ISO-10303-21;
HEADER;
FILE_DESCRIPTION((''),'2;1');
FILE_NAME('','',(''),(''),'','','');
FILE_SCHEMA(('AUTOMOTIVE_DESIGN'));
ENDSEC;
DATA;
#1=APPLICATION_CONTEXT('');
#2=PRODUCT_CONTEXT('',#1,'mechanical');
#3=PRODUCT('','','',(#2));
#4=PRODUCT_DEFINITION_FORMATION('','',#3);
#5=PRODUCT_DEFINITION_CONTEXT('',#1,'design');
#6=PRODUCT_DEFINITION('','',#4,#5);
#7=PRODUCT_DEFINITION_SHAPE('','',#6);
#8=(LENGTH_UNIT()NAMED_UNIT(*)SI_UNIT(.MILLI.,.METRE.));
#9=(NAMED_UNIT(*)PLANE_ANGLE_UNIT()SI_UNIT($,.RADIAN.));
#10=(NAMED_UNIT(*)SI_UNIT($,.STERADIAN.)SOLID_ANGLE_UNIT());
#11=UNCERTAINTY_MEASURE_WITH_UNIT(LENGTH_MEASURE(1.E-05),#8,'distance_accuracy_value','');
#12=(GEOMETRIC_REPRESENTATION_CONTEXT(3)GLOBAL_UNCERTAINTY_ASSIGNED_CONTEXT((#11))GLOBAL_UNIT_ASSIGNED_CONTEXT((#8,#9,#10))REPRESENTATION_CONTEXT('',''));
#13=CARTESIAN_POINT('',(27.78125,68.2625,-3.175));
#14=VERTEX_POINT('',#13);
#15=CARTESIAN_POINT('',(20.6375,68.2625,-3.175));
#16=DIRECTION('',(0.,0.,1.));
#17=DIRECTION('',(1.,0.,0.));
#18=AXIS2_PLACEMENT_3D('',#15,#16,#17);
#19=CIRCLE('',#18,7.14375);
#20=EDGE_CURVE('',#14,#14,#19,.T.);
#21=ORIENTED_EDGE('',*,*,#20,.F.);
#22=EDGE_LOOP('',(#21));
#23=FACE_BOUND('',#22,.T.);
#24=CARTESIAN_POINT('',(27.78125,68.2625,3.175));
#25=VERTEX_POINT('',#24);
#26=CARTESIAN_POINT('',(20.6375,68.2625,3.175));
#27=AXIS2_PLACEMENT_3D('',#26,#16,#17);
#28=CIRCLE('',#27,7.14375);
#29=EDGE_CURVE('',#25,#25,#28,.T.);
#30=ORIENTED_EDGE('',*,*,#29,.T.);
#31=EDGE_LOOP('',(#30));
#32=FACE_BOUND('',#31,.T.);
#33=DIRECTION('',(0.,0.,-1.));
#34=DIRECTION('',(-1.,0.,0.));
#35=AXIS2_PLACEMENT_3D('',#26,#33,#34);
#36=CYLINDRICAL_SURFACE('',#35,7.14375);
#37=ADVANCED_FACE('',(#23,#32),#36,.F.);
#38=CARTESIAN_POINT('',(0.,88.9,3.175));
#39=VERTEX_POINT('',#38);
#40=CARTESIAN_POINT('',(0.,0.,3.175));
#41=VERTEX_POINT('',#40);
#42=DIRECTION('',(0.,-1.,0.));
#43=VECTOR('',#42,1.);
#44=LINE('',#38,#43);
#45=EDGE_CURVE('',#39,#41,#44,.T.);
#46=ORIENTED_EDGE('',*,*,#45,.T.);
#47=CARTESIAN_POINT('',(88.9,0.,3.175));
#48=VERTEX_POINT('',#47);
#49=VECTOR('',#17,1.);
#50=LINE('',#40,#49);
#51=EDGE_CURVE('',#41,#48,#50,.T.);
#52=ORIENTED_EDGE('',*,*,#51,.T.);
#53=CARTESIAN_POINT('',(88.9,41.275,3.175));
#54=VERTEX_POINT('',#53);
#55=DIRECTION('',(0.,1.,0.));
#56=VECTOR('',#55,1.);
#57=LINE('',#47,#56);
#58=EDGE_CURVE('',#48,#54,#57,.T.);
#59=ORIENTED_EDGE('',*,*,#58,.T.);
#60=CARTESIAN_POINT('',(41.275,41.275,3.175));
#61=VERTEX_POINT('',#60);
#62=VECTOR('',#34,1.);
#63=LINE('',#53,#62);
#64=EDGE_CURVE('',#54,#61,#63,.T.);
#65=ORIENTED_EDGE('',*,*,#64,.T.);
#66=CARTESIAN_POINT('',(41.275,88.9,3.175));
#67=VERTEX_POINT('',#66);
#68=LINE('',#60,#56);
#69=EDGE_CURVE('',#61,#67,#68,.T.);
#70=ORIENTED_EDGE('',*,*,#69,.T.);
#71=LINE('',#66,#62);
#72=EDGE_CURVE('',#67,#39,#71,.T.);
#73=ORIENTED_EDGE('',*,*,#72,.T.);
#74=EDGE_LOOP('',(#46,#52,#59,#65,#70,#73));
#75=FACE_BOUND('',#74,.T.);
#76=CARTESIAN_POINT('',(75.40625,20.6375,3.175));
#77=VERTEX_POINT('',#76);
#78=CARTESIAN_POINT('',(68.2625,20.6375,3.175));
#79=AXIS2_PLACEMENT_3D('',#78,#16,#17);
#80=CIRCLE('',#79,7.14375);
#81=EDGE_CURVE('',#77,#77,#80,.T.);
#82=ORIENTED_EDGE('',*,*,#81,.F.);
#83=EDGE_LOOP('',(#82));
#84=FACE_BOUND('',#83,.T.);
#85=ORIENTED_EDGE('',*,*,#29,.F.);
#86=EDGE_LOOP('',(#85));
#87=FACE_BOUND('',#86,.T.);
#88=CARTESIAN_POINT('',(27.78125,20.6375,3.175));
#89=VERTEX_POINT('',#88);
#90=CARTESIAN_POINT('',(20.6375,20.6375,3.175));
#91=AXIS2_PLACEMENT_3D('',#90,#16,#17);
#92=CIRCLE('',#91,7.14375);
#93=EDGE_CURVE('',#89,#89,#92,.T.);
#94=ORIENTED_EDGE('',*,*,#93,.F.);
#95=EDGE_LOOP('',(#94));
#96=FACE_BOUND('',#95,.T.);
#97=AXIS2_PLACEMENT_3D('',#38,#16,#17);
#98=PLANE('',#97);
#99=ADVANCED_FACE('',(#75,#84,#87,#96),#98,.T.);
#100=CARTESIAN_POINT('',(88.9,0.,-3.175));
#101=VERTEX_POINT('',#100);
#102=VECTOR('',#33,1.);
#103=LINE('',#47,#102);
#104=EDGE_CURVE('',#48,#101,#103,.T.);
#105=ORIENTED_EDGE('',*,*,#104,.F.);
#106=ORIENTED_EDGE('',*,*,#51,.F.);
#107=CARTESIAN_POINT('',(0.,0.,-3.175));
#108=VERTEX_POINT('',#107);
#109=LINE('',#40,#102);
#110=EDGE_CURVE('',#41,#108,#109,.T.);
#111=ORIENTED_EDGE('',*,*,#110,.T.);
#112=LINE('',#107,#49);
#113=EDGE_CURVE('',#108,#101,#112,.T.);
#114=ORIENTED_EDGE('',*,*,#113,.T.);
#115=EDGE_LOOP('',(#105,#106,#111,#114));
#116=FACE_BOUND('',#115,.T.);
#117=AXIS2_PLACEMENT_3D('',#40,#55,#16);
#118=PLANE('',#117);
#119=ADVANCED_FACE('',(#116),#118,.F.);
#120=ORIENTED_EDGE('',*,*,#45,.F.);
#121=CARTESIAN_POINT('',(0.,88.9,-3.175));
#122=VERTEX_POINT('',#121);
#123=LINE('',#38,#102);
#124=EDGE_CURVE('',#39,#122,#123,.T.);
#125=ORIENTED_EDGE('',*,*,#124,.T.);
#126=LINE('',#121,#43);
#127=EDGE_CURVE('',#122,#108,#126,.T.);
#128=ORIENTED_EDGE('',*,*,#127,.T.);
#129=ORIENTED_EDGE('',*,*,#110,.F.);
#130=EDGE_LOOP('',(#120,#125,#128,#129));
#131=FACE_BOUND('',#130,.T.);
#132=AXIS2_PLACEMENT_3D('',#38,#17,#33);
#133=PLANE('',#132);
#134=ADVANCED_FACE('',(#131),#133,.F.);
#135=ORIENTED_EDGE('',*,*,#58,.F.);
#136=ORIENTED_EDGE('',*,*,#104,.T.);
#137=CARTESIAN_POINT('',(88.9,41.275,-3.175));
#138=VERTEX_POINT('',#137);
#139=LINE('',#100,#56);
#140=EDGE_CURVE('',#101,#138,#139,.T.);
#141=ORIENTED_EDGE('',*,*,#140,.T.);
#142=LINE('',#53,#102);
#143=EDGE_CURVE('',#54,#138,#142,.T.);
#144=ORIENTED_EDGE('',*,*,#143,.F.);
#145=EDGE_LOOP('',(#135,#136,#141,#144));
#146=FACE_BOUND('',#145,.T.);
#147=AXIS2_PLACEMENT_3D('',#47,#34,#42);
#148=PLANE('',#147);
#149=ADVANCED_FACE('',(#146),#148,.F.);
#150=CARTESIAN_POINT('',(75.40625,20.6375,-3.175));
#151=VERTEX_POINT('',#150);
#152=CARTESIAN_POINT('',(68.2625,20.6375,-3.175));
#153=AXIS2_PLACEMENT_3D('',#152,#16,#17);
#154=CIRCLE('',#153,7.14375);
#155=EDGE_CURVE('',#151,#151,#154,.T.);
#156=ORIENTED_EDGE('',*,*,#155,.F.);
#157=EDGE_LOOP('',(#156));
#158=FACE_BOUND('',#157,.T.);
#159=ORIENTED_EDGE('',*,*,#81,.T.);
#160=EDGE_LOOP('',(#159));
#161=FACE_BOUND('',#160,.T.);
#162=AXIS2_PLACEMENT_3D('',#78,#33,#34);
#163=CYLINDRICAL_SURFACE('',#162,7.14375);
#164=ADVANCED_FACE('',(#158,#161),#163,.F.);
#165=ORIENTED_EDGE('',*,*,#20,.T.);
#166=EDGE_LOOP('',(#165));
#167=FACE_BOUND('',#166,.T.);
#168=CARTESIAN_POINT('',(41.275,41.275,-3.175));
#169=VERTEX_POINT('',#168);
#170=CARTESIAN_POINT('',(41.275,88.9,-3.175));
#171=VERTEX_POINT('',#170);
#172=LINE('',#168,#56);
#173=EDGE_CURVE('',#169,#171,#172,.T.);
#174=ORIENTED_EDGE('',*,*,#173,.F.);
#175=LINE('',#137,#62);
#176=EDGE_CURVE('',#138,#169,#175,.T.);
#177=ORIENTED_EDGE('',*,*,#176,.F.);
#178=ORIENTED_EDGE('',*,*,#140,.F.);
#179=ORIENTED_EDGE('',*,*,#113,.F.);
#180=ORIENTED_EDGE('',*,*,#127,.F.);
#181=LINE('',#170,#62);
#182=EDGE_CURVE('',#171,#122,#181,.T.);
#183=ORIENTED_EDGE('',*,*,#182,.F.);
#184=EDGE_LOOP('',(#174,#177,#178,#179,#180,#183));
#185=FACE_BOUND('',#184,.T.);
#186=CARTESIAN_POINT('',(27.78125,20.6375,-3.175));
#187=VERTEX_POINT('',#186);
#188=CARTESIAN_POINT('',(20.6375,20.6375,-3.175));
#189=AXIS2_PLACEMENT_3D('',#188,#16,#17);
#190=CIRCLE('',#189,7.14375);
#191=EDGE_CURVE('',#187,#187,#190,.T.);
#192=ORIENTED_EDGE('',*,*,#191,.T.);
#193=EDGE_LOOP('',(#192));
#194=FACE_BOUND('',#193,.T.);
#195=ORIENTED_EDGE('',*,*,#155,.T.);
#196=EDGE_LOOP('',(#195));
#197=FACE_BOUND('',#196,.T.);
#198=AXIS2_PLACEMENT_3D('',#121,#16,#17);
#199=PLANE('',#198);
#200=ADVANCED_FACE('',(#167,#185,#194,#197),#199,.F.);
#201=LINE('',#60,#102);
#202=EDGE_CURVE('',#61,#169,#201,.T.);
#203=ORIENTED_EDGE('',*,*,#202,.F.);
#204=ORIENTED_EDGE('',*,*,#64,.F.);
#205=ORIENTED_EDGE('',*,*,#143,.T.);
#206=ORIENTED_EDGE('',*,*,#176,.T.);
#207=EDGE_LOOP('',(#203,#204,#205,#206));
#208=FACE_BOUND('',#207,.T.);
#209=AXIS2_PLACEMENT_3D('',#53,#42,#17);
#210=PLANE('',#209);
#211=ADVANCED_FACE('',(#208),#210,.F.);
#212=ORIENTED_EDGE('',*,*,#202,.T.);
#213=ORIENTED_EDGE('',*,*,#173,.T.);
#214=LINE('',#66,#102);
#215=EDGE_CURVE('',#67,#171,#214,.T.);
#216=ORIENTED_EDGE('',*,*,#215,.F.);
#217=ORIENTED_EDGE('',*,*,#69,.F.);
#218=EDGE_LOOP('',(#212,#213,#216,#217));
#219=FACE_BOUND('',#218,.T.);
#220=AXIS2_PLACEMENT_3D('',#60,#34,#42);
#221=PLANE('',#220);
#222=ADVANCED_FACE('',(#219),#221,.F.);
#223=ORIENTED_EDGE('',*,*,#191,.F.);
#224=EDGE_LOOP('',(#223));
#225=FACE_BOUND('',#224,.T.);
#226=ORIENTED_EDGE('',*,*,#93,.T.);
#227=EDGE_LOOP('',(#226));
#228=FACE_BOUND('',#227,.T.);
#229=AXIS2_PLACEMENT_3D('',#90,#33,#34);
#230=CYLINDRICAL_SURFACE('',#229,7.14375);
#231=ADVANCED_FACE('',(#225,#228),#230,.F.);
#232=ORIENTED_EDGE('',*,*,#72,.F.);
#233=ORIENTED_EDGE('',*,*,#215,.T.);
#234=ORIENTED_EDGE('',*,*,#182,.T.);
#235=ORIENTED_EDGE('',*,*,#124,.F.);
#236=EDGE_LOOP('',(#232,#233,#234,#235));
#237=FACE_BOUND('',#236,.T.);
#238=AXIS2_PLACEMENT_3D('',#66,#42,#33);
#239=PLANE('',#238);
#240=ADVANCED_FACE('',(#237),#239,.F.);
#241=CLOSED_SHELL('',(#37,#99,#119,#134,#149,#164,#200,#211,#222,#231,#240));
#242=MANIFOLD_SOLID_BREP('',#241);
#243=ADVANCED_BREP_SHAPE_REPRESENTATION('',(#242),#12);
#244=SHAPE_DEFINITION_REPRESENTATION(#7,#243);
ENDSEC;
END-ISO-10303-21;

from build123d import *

# Parameters (mm, degrees)
SKETCH1_R           = 7.14375
BOSS_EXTRUDE1_DEPTH = 3.175


with BuildPart() as part:
    # Sketch1 → Boss-Extrude1 (new, symmetric)
    with BuildSketch(Plane.XY):
        Polygon((0, 88.9), (0, 0), (88.9, 0), (88.9, 41.275), (41.275, 41.275), (41.275, 88.9), align=None)
        with Locations((20.6375, 20.6375)):
            Circle(SKETCH1_R, mode=Mode.SUBTRACT)
        with Locations((20.6375, 68.2625)):
            Circle(SKETCH1_R, mode=Mode.SUBTRACT)
        with Locations((68.2625, 20.6375)):
            Circle(SKETCH1_R, mode=Mode.SUBTRACT)
    extrude(amount=BOSS_EXTRUDE1_DEPTH, both=True)


solid = part.part
